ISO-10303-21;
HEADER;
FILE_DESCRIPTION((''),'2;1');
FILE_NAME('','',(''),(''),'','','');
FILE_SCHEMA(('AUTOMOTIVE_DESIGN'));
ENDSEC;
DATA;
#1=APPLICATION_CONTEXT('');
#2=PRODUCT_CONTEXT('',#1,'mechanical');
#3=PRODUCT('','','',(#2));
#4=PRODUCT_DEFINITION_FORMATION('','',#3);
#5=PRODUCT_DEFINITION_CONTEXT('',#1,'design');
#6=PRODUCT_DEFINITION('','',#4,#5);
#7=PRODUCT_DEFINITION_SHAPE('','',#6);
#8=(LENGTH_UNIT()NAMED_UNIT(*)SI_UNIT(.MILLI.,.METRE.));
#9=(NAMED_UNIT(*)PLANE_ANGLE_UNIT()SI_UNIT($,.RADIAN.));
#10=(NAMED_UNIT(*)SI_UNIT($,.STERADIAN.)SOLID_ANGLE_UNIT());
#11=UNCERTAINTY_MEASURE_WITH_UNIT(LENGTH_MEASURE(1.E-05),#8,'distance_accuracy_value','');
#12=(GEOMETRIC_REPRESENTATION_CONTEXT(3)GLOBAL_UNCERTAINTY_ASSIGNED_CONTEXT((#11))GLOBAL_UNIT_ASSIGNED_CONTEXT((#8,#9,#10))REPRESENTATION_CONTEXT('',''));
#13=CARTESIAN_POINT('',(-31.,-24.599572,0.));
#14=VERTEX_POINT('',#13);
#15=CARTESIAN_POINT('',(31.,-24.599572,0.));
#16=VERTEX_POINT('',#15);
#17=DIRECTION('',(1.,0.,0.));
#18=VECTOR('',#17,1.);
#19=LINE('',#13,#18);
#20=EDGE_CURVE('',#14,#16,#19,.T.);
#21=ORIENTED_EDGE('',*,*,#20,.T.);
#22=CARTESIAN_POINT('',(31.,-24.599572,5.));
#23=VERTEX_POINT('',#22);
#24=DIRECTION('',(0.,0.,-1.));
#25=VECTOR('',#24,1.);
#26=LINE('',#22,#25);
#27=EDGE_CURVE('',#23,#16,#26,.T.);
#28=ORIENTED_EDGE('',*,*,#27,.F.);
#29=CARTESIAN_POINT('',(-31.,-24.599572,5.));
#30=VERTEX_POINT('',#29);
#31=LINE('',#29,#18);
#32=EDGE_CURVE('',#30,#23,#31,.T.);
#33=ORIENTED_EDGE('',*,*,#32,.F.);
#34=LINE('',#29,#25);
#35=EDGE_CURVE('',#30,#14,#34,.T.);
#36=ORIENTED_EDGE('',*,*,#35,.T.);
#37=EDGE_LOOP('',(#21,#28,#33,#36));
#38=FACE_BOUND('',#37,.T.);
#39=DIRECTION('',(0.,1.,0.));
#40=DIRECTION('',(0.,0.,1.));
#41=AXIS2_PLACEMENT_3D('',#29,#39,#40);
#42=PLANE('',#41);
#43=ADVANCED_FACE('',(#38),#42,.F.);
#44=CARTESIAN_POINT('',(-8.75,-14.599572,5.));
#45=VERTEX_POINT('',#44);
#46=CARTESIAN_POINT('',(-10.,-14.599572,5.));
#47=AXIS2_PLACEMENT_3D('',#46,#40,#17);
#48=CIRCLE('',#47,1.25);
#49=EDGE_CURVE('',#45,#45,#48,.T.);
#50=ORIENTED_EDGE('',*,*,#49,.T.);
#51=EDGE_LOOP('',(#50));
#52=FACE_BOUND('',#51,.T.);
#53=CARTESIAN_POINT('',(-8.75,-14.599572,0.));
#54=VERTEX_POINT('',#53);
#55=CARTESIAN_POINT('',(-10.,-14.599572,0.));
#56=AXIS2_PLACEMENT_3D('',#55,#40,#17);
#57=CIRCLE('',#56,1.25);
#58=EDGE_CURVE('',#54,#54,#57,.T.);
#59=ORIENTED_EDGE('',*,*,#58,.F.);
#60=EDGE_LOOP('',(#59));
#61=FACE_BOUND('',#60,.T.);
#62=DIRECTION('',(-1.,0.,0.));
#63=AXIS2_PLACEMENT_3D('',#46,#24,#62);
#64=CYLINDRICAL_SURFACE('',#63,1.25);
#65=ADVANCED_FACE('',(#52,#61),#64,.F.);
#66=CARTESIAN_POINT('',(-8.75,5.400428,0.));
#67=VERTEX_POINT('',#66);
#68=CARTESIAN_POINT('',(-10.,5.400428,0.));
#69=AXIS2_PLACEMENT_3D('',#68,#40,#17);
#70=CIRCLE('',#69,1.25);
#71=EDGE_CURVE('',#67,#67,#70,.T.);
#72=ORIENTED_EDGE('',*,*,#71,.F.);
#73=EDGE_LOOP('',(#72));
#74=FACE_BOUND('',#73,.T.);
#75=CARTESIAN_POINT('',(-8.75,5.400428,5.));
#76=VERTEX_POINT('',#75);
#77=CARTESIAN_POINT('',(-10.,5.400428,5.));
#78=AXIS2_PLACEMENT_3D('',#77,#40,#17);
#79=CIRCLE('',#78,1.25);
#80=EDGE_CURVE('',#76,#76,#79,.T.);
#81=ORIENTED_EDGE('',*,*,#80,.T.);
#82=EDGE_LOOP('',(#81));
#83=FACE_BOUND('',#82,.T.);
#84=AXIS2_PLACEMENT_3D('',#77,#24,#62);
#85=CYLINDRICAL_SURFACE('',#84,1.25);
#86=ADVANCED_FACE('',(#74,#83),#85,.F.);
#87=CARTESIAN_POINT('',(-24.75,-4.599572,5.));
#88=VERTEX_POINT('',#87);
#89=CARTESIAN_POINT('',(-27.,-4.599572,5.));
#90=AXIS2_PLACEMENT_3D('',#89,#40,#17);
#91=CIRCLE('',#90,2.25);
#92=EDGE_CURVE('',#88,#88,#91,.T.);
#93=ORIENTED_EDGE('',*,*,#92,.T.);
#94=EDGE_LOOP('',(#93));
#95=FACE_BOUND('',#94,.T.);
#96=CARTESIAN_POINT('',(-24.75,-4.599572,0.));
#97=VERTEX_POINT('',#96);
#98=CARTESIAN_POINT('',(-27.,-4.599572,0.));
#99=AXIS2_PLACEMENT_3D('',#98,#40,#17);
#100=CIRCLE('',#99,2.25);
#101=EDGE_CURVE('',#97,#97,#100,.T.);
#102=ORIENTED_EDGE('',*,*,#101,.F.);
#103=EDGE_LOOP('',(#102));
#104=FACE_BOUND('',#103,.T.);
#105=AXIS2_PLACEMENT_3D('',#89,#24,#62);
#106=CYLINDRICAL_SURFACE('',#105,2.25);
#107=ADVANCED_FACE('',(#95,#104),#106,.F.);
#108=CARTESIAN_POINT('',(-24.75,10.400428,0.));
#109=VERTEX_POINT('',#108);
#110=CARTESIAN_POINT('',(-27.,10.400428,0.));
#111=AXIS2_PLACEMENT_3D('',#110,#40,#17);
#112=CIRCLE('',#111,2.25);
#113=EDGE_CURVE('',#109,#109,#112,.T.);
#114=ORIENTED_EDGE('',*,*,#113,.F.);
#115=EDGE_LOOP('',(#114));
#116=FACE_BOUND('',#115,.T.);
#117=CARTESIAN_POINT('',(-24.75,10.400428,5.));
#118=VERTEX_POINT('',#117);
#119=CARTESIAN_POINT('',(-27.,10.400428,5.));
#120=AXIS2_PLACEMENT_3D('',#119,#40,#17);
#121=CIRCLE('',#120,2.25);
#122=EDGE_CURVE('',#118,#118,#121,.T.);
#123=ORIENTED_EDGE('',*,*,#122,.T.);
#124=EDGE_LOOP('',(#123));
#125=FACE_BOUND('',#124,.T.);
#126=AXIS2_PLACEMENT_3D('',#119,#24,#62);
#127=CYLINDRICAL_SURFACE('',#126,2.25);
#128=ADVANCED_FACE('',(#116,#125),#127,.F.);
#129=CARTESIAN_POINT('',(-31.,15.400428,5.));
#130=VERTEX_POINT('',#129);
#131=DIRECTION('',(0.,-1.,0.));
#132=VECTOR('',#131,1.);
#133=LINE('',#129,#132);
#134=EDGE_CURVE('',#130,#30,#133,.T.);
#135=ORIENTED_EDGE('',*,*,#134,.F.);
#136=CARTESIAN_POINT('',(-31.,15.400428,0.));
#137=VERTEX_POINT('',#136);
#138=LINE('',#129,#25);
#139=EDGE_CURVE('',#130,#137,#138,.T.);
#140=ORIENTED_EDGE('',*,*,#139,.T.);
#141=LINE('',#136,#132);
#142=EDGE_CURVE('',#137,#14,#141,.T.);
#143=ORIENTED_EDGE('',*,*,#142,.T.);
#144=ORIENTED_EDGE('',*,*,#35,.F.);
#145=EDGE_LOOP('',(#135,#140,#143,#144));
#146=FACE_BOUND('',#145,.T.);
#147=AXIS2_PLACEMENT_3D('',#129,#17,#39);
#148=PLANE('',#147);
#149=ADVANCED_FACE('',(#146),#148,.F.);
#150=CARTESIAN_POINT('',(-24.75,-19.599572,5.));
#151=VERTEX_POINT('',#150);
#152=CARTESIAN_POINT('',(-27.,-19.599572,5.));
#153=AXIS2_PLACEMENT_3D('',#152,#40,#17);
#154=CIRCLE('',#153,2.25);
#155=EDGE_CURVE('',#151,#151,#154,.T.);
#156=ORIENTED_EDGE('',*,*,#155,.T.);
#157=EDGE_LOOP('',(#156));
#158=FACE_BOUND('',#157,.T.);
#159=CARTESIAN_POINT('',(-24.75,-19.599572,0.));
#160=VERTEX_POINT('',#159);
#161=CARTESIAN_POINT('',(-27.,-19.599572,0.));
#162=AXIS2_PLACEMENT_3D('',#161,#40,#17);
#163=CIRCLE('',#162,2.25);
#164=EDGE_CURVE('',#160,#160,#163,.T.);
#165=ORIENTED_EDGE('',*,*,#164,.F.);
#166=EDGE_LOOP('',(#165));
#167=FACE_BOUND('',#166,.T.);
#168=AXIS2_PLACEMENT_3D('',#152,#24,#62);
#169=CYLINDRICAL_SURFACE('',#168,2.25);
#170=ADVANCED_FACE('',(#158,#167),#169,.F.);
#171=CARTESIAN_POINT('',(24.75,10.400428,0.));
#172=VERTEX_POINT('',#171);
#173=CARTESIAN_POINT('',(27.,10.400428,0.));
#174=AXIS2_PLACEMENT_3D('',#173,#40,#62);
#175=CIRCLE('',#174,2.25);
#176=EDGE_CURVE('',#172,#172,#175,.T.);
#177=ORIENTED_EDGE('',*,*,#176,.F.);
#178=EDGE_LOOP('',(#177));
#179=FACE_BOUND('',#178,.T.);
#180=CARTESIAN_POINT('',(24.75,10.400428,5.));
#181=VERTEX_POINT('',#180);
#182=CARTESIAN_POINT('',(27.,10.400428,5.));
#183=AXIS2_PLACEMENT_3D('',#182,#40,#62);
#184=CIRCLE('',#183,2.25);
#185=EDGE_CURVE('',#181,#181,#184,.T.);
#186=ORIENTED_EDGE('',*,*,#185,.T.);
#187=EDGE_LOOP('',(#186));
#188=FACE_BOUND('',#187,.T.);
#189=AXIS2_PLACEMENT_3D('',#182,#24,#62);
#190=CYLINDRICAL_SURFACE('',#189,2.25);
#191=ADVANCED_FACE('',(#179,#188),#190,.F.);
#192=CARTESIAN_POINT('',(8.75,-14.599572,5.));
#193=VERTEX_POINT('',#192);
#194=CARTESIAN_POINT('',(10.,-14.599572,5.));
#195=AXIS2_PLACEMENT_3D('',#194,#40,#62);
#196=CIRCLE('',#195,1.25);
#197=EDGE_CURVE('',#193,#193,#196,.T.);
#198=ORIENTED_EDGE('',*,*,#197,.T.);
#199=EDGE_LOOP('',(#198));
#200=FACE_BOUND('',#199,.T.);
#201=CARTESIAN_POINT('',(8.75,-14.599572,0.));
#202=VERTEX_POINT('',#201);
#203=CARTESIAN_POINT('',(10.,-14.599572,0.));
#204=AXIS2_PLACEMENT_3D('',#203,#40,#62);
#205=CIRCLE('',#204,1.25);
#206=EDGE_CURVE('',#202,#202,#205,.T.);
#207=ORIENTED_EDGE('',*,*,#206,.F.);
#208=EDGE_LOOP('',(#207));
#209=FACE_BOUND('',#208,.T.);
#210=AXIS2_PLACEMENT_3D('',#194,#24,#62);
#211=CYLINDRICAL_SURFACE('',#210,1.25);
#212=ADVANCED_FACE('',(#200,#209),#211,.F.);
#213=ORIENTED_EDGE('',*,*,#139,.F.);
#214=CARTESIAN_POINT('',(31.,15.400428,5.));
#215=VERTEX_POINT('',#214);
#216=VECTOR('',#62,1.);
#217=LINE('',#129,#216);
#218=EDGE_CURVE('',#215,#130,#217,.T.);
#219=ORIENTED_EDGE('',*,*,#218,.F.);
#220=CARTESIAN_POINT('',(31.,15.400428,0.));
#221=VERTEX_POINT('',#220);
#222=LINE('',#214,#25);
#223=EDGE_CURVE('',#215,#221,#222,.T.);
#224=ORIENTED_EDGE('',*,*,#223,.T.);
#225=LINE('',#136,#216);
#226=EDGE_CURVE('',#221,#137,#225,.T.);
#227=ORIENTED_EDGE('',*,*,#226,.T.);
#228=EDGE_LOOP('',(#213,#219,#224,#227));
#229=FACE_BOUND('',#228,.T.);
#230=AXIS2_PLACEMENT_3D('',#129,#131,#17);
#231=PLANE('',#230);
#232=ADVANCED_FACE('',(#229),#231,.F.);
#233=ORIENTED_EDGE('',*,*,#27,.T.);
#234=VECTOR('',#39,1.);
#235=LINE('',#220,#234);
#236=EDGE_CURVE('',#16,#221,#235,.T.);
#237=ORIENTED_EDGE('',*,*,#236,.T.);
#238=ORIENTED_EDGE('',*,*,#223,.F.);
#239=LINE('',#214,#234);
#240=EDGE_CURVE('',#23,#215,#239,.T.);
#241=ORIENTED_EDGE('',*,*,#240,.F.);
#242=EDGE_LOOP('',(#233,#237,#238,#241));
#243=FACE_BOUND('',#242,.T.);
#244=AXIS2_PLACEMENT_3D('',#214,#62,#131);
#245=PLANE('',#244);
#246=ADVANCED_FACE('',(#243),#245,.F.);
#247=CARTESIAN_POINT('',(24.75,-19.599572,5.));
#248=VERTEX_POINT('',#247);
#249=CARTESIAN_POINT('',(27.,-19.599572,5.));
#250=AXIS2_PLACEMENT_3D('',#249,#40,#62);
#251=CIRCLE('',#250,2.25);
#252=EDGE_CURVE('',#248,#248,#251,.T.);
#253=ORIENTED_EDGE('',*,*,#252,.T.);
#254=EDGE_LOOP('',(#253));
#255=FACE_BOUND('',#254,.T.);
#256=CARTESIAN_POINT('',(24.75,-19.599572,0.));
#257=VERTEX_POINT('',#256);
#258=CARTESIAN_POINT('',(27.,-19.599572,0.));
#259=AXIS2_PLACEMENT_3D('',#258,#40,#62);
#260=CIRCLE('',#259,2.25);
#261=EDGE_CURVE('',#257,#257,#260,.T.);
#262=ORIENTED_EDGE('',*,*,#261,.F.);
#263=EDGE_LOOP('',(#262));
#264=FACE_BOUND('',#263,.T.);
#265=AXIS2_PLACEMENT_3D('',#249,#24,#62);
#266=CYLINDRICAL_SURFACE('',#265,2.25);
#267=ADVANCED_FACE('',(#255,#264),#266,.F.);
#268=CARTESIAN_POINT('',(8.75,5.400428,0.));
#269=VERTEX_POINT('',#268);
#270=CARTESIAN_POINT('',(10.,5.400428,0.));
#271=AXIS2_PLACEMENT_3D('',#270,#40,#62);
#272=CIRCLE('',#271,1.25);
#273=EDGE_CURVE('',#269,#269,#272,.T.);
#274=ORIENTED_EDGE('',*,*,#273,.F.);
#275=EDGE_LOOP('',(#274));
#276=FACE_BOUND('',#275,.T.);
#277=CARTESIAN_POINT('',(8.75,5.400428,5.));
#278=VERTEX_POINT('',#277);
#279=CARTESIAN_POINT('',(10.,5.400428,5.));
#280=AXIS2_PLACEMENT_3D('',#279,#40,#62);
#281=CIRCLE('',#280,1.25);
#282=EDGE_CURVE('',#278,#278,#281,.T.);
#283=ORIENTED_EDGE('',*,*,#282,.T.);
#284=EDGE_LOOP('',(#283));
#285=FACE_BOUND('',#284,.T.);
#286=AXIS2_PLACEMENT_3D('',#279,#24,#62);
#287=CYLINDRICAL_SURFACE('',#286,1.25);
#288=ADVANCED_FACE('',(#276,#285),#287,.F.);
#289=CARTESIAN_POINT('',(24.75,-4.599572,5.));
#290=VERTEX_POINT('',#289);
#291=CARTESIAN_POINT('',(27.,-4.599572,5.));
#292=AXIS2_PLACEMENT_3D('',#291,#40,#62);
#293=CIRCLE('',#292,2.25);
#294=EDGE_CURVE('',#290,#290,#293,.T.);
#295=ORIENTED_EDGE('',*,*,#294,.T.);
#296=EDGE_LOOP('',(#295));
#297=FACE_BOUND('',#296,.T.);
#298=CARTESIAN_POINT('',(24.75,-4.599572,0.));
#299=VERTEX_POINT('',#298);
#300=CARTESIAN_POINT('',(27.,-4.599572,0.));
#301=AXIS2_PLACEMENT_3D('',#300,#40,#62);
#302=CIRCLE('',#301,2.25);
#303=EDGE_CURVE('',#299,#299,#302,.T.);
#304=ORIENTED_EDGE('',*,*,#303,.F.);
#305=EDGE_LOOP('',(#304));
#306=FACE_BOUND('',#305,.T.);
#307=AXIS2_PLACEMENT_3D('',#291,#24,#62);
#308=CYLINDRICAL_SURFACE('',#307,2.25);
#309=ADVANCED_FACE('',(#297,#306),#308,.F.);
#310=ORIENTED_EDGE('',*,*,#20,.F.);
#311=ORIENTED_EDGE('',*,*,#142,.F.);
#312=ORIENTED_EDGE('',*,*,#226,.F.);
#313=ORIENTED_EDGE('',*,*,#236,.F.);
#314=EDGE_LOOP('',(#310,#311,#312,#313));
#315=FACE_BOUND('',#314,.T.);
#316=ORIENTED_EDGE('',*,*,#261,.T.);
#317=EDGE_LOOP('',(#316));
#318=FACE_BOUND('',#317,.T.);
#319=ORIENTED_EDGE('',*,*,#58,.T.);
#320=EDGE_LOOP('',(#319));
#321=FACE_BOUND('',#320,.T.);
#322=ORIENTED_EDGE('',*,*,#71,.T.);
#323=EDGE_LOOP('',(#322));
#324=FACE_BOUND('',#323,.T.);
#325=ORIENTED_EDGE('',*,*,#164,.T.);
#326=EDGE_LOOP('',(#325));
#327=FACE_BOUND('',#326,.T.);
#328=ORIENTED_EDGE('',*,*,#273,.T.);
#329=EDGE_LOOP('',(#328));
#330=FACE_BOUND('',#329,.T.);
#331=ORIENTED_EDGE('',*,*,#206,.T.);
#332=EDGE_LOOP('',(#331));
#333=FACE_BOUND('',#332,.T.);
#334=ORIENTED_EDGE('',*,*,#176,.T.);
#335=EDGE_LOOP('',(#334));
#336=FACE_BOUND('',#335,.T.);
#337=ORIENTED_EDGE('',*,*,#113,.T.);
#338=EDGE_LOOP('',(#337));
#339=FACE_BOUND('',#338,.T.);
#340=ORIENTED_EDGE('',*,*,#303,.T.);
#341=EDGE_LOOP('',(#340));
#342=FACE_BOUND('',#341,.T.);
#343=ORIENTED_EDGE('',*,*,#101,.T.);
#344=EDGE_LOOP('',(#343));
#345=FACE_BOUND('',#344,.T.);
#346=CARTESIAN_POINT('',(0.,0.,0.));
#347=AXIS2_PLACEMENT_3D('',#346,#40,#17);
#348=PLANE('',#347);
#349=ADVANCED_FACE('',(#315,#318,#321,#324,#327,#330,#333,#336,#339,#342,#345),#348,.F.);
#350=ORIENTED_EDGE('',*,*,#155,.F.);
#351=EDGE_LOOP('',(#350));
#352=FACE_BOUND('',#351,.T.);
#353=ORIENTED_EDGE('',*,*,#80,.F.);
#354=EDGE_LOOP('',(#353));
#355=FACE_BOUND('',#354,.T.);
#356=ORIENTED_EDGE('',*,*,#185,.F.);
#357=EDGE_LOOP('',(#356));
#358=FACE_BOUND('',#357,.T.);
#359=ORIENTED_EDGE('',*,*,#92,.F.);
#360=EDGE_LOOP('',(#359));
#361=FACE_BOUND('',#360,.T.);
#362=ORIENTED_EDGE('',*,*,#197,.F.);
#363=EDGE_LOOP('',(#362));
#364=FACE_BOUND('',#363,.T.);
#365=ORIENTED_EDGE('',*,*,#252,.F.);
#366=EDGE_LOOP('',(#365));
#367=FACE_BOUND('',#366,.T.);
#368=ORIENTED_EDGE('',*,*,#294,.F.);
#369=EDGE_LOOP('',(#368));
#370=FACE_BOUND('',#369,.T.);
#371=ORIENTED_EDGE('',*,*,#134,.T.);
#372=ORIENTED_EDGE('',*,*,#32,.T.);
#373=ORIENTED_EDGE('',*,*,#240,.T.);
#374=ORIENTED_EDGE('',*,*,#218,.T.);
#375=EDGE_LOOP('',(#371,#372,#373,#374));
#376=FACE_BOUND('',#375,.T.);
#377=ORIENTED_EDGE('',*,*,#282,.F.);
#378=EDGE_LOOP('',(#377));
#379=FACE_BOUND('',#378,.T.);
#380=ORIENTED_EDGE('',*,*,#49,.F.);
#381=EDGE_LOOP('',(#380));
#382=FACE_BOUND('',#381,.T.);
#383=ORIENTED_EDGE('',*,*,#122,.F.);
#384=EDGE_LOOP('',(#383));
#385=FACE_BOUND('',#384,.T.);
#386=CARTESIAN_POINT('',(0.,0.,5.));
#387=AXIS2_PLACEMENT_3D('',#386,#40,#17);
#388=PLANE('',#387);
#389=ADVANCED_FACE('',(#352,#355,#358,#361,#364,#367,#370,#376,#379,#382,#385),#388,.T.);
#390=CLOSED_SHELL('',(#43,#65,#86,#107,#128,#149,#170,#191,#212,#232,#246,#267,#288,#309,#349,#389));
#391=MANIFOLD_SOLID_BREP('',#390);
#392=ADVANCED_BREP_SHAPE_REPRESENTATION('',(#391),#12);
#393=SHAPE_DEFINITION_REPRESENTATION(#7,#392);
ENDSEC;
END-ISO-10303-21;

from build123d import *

# Parameters (mm, degrees)
SKIZZE1_W                       = 62
SKIZZE1_H                       = 40
SKIZZE1_R                       = 2.25
SKIZZE1_R_2                     = 1.25
AUFSATZ_LINEAR_AUSTRAGEN1_DEPTH = 5


with BuildPart() as part:
    # Skizze1 → Aufsatz-Linear austragen1 (new body)
    with BuildSketch(Plane.XY):
        with Locations((0, -4.599571734)):
            Rectangle(SKIZZE1_W, SKIZZE1_H)
        with Locations((-27, 10.400428266)):
            Circle(SKIZZE1_R, mode=Mode.SUBTRACT)
        with Locations((-27, -4.599571734)):
            Circle(SKIZZE1_R, mode=Mode.SUBTRACT)
        with Locations((-27, -19.599571734)):
            Circle(SKIZZE1_R, mode=Mode.SUBTRACT)
        with Locations((-10, 5.400428266)):
            Circle(SKIZZE1_R_2, mode=Mode.SUBTRACT)
        with Locations((-10, -14.599571734)):
            Circle(SKIZZE1_R_2, mode=Mode.SUBTRACT)
        with Locations((10, 5.400428266)):
            Circle(SKIZZE1_R_2, mode=Mode.SUBTRACT)
        with Locations((10, -14.599571734)):
            Circle(SKIZZE1_R_2, mode=Mode.SUBTRACT)
        with Locations((27, -19.599571734)):
            Circle(SKIZZE1_R, mode=Mode.SUBTRACT)
        with Locations((27, -4.599571734)):
            Circle(SKIZZE1_R, mode=Mode.SUBTRACT)
        with Locations((27, 10.400428266)):
            Circle(SKIZZE1_R, mode=Mode.SUBTRACT)
    extrude(amount=AUFSATZ_LINEAR_AUSTRAGEN1_DEPTH)


solid = part.part
